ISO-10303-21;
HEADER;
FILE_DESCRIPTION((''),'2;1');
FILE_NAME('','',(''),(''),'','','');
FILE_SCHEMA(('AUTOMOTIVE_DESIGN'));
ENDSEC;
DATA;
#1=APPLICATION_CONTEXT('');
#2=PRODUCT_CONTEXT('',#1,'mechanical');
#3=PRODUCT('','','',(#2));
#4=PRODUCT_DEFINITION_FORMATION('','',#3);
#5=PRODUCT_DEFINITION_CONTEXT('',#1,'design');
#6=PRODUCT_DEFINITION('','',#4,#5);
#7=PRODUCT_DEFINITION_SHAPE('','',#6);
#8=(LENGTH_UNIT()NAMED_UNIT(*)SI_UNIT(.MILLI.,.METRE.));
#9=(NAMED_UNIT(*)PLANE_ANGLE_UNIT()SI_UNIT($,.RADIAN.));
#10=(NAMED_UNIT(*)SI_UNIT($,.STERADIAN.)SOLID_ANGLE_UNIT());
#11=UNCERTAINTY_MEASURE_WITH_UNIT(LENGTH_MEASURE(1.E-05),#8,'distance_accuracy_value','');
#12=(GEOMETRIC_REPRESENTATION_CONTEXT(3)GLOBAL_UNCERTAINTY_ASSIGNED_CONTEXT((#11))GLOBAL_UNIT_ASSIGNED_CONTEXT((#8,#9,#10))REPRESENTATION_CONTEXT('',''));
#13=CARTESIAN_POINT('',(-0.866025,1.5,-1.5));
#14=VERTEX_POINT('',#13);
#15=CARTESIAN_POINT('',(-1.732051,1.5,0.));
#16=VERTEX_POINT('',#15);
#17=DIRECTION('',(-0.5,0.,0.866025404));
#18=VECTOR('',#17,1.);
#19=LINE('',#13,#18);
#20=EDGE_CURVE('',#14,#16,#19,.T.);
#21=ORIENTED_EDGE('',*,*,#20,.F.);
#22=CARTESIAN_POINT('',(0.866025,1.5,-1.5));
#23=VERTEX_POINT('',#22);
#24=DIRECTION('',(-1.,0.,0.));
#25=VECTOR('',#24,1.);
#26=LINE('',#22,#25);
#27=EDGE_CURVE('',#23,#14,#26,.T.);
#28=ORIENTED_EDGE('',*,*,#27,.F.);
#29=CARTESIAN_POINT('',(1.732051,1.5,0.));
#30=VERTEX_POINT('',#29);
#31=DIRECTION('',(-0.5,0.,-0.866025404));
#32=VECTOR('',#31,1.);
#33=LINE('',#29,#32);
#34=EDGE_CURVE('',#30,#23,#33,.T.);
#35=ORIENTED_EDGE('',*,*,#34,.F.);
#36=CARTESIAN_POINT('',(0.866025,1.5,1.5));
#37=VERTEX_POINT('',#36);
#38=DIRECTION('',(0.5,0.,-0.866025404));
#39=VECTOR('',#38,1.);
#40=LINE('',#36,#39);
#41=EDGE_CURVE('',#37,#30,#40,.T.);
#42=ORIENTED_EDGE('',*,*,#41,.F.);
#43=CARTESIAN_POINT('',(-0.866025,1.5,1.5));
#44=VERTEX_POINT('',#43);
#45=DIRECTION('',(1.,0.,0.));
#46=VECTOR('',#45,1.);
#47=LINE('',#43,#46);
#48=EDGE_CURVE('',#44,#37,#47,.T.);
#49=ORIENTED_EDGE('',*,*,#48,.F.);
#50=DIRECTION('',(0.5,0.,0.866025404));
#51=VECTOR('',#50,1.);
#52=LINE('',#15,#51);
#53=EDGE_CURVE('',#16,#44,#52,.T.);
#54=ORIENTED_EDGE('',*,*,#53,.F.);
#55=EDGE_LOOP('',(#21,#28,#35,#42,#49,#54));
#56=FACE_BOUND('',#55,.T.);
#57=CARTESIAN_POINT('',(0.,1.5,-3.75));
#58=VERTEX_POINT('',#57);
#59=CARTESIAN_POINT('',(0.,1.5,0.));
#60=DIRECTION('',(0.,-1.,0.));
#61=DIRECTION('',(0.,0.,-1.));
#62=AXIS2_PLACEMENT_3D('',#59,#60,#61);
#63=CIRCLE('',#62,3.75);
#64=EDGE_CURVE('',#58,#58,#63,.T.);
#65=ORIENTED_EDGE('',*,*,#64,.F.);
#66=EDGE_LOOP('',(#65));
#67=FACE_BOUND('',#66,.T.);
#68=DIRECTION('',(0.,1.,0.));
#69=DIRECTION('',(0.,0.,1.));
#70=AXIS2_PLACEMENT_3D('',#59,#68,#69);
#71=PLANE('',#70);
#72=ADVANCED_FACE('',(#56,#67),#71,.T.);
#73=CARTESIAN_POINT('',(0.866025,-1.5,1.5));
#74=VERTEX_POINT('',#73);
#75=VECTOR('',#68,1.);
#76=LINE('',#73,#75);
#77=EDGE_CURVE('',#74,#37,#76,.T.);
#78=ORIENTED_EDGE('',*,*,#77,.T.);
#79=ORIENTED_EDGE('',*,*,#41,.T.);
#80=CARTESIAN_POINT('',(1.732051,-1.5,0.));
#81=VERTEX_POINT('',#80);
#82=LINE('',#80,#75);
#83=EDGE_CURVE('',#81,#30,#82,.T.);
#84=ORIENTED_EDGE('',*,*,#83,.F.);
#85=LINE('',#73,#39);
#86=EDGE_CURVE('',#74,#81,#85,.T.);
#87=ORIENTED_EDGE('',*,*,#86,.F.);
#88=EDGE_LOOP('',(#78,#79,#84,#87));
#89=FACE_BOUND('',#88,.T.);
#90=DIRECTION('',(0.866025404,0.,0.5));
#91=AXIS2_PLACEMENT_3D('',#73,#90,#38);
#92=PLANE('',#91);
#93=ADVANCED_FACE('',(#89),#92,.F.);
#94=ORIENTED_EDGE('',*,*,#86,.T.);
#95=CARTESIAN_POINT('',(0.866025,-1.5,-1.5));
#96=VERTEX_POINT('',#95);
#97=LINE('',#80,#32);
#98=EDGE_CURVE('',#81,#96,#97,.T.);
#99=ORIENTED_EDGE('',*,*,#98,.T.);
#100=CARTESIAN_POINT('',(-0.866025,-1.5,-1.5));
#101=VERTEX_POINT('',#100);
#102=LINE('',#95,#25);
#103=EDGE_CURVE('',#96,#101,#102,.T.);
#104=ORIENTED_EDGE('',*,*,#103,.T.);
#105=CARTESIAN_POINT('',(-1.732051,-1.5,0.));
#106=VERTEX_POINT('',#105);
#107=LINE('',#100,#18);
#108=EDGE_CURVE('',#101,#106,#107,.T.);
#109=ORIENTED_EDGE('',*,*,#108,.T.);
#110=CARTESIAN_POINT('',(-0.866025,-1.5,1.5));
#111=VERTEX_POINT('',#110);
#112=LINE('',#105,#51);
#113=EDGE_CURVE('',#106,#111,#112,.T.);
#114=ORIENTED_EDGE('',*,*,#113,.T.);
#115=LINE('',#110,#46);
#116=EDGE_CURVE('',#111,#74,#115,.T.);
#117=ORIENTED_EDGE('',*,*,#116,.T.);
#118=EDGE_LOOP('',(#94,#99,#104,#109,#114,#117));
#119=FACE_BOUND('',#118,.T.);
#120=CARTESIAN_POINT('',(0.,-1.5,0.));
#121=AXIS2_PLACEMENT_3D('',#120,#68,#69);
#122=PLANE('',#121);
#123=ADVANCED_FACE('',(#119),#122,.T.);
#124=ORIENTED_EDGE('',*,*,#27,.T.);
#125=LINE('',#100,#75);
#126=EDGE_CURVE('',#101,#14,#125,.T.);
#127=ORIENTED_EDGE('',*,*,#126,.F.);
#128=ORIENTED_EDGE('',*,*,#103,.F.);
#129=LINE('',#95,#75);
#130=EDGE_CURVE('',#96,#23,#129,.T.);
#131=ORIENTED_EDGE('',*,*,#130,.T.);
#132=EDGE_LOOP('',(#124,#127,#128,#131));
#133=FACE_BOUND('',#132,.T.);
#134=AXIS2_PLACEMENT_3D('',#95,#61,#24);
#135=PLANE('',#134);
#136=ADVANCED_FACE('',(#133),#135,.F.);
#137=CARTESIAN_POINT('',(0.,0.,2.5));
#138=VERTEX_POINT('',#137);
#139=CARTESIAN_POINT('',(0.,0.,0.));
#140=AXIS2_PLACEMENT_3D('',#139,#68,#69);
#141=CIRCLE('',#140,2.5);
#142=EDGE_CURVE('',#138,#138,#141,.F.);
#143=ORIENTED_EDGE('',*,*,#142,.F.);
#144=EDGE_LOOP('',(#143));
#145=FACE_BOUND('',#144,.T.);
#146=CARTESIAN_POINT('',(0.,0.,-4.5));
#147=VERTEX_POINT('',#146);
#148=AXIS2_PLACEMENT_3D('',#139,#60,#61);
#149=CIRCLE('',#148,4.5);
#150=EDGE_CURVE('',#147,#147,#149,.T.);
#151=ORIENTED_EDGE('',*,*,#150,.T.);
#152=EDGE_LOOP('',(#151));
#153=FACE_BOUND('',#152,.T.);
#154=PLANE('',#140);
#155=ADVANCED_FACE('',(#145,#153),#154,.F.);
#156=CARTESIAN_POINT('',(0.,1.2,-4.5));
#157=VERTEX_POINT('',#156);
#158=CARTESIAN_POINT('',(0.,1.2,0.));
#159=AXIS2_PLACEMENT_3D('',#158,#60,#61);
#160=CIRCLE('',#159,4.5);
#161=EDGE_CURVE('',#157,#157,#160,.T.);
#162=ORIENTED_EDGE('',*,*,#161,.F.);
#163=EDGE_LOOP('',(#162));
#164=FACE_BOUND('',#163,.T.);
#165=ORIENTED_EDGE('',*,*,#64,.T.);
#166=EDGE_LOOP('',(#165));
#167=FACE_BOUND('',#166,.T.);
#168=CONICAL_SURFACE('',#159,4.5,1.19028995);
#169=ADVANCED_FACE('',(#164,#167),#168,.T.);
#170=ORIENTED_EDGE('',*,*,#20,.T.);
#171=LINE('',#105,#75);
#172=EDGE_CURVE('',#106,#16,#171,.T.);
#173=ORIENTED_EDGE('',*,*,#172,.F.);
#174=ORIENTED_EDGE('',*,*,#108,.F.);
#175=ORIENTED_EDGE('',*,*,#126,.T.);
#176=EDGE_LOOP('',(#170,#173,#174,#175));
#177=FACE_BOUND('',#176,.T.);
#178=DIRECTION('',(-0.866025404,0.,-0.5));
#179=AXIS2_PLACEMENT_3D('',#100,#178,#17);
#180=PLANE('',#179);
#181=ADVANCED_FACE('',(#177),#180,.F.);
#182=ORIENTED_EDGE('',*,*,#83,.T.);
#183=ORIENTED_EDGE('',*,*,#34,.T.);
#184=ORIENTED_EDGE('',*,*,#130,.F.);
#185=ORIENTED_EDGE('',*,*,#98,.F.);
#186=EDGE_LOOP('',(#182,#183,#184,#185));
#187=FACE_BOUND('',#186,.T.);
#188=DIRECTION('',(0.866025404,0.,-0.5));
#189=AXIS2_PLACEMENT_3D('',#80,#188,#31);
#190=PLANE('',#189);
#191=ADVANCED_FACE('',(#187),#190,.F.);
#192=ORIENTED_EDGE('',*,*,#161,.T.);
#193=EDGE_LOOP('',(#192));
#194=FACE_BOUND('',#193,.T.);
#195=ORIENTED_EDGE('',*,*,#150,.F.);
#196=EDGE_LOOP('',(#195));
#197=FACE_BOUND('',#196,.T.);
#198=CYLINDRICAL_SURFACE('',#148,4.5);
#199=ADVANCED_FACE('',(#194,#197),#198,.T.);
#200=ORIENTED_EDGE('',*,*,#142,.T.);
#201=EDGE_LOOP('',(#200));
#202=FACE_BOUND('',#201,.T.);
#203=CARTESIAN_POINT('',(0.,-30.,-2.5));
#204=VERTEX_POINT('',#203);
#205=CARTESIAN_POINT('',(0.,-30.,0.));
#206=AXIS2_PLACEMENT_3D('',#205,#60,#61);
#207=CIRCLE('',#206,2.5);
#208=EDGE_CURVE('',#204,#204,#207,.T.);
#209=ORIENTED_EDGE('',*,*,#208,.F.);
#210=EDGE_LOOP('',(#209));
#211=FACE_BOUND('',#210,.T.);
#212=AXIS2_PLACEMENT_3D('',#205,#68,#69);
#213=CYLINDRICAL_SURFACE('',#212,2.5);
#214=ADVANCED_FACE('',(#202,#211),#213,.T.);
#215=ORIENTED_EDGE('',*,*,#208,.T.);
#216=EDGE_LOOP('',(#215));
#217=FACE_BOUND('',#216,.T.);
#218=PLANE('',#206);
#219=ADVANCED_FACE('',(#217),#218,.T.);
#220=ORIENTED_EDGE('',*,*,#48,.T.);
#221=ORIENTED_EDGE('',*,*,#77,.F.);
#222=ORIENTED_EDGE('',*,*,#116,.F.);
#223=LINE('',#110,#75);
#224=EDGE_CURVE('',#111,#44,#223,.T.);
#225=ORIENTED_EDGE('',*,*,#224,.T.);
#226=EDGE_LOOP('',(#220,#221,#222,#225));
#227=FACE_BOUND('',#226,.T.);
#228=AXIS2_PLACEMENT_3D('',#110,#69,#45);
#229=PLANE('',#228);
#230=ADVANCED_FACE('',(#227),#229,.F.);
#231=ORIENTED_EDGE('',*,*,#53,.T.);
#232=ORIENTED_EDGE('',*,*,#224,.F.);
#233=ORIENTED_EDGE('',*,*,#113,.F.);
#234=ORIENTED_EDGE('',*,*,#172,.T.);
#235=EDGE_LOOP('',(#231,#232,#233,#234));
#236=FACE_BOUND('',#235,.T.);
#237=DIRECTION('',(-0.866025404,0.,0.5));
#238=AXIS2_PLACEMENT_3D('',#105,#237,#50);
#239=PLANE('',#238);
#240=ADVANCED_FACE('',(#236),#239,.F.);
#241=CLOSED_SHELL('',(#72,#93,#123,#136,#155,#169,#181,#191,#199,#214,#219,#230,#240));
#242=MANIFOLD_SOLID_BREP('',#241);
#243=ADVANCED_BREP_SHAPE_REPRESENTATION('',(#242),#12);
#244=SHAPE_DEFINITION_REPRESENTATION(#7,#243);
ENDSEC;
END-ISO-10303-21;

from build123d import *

# Parameters (mm, degrees)
SKETCH3_R           = 2.5
BOSS_EXTRUDE1_DEPTH = 30
CUT_EXTRUDE2_DEPTH  = 3


with BuildPart() as part:
    # Sketch1 → Revolve1 (revolve)
    with BuildSketch(Plane.XY, mode=Mode.PRIVATE) as revolve1_sk:
        Polygon((-2.5, 0), (0, 0), (0, 1.5), (-3.75, 1.5), (-4.5, 1.2), (-4.5, 0), align=None)
    revolve(revolve1_sk.sketch.rotate(Axis((0, 0, 0), (0, 1, 0)), 270), axis=Axis((0, 0, 0), (0, 1, 0)))

    # Sketch3 → Boss-Extrude1 (add)
    with BuildSketch(Plane.XZ):
        with Locations(Location((0, 0, 0), (0, 0, 90))):
            Circle(SKETCH3_R)
    extrude(amount=BOSS_EXTRUDE1_DEPTH)

    # Sketch2 → Cut-Extrude2 (cut)
    with BuildSketch(Plane(origin=(0, 1.5, 0), x_dir=(1, 0, 0), z_dir=(0, 1, 0))):
        Polygon((1.732050808, 0), (0.866025404, 1.5), (-0.866025404, 1.5), (-1.732050808, 0), (-0.866025404, -1.5), (0.866025404, -1.5), align=None)
    extrude(amount=-CUT_EXTRUDE2_DEPTH, mode=Mode.SUBTRACT)


solid = part.part
